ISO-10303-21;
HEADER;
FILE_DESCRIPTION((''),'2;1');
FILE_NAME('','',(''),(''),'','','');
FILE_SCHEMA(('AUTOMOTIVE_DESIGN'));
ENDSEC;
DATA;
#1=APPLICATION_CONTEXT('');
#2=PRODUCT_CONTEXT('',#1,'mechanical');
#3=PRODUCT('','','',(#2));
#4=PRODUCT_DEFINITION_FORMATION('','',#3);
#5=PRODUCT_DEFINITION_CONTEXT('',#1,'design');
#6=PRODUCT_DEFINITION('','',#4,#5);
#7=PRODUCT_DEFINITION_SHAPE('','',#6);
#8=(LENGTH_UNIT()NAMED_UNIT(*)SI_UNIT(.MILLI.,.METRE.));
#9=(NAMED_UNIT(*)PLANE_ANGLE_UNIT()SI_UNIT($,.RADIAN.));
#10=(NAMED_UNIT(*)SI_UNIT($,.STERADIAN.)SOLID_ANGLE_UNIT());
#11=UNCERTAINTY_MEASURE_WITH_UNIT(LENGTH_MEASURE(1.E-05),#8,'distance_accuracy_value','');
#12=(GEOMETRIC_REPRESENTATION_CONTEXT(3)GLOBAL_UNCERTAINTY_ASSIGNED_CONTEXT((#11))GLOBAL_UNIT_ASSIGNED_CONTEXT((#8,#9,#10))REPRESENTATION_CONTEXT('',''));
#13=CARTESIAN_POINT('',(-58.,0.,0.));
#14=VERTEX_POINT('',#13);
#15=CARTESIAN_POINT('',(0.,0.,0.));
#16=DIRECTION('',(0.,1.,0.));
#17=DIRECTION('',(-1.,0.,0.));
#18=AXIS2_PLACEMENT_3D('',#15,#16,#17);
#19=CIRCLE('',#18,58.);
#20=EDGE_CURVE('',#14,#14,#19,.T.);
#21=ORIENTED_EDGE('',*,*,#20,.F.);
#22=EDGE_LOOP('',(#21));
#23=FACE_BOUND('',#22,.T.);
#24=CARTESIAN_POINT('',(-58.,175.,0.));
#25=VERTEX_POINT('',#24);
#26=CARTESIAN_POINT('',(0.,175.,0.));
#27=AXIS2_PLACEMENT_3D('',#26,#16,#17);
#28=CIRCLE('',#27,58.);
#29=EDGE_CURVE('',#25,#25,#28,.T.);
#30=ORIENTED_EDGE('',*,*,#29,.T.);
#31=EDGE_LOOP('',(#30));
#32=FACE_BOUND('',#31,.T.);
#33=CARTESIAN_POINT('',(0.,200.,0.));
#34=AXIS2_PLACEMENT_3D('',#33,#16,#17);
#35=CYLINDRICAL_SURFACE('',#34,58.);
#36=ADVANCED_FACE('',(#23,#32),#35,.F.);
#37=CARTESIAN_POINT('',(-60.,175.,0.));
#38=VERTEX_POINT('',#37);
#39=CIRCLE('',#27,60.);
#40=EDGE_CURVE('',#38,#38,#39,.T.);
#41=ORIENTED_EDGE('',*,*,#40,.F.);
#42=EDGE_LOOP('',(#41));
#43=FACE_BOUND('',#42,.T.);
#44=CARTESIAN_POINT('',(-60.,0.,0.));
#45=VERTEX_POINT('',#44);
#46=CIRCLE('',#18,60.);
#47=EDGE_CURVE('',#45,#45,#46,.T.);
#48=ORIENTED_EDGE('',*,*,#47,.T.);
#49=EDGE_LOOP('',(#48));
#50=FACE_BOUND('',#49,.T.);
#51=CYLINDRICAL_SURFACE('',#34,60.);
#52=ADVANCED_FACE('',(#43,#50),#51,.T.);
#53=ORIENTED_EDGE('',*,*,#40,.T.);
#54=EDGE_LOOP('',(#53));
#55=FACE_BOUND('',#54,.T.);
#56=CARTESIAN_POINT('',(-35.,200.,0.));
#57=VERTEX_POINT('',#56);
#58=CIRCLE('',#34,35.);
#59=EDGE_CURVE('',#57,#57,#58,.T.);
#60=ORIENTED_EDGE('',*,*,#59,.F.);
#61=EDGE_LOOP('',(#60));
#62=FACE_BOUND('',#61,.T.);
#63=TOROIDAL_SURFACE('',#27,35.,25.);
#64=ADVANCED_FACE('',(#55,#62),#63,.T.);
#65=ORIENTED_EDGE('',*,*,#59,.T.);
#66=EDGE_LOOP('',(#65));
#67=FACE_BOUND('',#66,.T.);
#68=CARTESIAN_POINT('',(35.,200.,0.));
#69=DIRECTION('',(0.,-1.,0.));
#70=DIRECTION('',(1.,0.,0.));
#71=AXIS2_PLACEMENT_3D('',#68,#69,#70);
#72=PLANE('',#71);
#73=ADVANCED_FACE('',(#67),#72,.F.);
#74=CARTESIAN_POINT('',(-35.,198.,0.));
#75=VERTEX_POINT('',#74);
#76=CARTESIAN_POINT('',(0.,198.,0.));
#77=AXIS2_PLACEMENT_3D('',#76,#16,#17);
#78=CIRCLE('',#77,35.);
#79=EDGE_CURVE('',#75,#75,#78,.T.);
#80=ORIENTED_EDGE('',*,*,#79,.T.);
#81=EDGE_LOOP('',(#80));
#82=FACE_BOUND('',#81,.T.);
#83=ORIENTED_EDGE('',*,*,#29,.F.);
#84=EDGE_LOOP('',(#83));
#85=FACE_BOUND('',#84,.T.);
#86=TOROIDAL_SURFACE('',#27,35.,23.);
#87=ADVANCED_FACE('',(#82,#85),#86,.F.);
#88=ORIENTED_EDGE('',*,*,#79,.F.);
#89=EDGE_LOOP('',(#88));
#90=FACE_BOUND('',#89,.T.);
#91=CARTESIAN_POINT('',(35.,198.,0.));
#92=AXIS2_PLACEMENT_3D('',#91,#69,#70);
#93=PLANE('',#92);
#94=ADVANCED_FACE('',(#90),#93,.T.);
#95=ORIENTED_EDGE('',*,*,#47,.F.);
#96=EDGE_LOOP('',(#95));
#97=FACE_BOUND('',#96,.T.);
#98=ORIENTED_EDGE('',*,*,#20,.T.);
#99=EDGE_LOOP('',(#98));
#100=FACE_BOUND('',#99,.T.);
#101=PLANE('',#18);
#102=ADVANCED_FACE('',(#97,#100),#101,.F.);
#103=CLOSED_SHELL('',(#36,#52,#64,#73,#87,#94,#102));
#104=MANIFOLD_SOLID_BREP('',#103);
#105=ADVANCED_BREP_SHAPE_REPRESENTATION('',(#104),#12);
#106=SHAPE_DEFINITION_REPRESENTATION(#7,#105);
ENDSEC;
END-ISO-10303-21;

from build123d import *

# Parameters (mm, degrees)
SHELL5_T = -2


with BuildPart() as part:
    # Sketch1 → Revolve5 (revolve)
    with BuildSketch(Plane.XY, mode=Mode.PRIVATE) as revolve5_sk:
        with BuildLine():
            Line((0, 0), (60, 0))
            Line((60, 0), (60, 175))
            ThreePointArc((60, 175), (52.67766953, 192.67766953), (35, 200))
            Line((35, 200), (0, 200))
            Line((0, 200), (0, 0))
        make_face()
    revolve(revolve5_sk.sketch.rotate(Axis((0, 200, 0), (0, -1, 0)), 180), axis=Axis((0, 200, 0), (0, -1, 0)))

    # Shell5
    shell5_openings = [part.faces().sort_by_distance(p)[0] for p in [
        (0, 0, 0),
    ]]
    offset(amount=SHELL5_T, openings=shell5_openings, kind=Kind.INTERSECTION)


solid = part.part
